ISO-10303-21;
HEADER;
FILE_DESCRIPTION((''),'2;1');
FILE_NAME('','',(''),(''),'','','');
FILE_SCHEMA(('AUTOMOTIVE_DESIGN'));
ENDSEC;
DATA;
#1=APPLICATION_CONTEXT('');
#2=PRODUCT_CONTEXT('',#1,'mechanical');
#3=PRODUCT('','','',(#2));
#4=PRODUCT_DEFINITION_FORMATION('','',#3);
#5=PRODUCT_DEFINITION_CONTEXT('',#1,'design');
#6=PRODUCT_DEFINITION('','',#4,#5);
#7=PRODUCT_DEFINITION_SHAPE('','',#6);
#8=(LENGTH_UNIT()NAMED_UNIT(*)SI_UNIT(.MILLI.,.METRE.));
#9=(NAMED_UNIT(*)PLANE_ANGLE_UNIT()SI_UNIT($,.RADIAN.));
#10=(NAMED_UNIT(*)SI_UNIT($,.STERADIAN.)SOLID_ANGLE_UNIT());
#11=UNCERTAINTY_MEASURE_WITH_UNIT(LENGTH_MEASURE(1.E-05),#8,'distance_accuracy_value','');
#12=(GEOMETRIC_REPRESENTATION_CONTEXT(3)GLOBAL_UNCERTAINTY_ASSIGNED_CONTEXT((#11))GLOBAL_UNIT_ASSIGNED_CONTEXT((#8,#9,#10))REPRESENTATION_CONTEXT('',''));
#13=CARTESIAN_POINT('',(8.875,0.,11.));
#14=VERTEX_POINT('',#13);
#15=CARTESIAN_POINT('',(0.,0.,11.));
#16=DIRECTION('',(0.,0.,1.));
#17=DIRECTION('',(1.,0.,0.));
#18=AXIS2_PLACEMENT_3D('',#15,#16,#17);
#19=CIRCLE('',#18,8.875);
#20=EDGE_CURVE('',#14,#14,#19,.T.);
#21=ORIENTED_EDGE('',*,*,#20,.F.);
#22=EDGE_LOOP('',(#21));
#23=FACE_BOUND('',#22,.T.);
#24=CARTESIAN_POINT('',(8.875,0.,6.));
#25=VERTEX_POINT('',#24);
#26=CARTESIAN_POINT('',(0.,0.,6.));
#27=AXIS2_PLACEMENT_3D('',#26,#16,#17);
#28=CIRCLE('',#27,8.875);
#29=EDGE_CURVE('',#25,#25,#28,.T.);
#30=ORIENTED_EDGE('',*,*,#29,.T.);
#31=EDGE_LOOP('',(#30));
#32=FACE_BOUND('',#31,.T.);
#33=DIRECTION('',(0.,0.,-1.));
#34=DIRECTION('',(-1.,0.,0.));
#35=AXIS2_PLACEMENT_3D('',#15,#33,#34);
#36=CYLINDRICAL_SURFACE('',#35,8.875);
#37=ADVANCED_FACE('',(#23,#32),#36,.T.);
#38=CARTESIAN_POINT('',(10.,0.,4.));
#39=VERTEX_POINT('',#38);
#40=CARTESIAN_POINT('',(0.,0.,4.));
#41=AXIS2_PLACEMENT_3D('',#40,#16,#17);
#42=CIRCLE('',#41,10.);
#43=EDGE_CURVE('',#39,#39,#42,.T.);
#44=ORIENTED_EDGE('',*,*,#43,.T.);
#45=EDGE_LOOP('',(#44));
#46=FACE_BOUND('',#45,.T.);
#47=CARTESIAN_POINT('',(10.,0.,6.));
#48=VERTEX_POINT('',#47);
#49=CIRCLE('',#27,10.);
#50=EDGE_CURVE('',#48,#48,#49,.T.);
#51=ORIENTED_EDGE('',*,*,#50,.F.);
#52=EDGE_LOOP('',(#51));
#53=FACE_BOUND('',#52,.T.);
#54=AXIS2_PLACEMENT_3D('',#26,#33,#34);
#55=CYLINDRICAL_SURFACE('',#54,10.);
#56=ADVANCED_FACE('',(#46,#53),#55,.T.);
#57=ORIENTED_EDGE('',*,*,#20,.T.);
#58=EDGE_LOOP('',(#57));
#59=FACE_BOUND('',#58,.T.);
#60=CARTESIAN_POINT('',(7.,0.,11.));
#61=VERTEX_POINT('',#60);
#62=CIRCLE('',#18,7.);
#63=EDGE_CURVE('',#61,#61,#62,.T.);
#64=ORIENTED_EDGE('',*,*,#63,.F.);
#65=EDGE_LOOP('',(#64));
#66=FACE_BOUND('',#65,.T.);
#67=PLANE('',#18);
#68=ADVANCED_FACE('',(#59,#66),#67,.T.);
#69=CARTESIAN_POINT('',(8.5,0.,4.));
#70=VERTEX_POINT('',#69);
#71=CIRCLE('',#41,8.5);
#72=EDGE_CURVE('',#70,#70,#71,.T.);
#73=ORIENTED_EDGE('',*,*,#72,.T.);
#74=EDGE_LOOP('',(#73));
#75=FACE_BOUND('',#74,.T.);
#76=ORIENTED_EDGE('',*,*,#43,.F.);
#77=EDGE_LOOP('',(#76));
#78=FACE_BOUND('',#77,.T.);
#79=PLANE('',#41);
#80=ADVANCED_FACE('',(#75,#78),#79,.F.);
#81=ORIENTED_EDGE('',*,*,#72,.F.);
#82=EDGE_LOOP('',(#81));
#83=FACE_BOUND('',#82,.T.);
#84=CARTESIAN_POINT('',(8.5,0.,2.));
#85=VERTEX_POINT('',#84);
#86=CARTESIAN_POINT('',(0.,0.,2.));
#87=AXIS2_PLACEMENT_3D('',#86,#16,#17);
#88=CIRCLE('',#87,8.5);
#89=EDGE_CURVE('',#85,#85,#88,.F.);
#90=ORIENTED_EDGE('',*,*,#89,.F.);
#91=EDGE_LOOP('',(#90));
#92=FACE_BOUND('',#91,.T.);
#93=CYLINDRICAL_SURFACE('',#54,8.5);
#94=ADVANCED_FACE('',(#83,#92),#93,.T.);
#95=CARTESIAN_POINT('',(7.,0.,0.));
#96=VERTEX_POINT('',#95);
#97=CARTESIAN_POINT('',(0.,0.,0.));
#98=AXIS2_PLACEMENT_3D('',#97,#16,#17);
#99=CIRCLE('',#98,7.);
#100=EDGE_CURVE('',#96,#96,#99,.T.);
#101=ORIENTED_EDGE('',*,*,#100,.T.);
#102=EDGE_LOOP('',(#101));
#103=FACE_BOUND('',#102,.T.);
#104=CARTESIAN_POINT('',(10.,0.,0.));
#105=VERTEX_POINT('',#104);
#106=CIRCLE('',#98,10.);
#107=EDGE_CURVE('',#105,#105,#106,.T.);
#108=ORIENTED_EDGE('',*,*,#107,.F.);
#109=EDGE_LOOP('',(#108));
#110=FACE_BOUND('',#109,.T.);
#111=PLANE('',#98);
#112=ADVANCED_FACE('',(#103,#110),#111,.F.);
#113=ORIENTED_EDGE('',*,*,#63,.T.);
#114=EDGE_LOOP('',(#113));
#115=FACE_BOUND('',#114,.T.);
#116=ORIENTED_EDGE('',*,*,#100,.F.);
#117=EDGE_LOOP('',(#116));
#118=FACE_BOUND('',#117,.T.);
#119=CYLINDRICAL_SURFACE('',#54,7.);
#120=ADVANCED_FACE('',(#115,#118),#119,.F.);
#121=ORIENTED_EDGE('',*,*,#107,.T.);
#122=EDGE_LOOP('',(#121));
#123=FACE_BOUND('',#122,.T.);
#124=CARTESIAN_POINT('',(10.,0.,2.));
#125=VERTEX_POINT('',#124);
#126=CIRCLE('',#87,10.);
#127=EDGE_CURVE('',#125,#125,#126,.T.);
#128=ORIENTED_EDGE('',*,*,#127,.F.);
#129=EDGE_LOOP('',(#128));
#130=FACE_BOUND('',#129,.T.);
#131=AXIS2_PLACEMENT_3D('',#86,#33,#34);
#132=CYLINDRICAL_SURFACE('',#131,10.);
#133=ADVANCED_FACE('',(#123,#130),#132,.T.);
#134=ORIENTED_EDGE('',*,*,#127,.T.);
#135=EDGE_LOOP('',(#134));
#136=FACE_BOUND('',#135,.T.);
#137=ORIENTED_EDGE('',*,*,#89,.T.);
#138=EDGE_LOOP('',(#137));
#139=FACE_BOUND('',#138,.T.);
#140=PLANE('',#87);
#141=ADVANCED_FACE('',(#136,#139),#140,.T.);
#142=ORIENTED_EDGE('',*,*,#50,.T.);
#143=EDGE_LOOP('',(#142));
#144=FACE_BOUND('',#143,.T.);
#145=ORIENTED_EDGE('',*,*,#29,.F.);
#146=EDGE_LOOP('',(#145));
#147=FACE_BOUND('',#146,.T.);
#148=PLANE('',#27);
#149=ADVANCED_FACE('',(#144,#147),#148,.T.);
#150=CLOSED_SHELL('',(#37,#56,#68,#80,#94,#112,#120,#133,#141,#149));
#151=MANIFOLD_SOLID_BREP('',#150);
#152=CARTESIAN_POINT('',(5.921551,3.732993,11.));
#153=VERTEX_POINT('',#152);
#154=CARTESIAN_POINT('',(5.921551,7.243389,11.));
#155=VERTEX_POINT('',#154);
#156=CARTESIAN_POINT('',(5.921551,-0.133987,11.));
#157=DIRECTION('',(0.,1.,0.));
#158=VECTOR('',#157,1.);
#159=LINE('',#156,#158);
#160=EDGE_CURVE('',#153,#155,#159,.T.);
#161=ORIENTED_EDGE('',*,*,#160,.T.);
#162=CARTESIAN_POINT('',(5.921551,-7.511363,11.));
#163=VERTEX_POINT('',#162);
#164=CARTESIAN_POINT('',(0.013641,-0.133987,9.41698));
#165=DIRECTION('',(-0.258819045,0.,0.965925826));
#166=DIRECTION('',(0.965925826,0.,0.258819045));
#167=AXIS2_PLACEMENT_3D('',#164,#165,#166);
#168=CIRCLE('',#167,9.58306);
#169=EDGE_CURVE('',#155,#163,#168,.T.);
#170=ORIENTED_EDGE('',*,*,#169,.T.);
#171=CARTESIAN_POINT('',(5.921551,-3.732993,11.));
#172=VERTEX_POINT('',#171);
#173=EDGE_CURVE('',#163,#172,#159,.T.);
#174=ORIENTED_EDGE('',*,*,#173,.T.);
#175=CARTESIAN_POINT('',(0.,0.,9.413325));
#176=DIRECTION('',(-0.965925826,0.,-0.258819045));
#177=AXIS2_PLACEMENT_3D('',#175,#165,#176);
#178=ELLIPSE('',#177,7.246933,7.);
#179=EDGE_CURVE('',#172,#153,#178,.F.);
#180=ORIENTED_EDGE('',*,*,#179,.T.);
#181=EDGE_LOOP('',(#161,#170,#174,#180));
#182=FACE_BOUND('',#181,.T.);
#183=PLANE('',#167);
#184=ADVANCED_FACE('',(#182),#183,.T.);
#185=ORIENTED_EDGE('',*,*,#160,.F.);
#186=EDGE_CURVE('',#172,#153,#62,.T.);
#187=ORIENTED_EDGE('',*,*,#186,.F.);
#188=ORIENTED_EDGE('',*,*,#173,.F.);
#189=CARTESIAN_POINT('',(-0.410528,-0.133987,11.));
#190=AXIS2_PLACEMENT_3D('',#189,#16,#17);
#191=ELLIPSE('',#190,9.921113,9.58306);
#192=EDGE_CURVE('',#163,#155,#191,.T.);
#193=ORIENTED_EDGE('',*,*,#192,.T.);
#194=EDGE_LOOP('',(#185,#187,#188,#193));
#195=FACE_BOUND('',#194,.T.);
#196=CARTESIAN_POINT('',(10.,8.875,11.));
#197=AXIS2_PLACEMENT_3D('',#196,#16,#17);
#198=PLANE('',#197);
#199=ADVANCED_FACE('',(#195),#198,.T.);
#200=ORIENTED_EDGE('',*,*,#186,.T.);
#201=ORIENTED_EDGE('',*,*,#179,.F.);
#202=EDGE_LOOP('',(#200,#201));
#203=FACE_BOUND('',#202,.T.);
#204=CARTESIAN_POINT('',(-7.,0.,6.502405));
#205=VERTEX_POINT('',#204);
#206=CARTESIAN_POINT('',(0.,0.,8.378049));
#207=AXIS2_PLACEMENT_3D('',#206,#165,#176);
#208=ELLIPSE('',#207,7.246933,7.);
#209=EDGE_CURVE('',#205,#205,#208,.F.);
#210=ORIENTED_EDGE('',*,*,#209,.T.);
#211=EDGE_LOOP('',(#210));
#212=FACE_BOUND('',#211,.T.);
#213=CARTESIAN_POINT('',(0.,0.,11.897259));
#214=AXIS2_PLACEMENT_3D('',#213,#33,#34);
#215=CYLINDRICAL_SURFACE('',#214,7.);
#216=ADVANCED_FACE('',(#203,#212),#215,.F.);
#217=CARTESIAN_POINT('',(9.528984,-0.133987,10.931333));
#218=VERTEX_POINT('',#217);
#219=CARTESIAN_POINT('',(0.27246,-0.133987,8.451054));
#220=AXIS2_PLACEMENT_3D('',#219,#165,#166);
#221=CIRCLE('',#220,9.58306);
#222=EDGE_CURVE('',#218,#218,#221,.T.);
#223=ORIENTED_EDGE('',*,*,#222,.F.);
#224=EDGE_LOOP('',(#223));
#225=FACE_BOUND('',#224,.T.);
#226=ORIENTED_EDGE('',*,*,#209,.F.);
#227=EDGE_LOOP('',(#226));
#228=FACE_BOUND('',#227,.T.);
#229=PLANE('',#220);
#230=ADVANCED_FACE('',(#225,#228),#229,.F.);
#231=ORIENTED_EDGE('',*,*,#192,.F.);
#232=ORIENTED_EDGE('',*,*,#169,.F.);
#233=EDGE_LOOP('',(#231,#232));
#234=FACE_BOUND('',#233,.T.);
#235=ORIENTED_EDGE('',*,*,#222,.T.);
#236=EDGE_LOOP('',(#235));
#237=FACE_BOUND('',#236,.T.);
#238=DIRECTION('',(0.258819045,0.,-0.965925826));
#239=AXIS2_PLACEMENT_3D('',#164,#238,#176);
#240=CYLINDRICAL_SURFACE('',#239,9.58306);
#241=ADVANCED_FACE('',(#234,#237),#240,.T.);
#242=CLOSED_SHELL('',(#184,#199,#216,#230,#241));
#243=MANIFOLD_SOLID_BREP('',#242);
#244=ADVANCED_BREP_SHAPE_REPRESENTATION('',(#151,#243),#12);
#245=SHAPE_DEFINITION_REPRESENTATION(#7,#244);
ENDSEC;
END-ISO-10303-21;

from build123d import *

# Parameters (mm, degrees)
SKETCH1_R           = 10
BOSS_EXTRUDE1_DEPTH = 2
SKETCH2_R           = 8.5
BOSS_EXTRUDE2_DEPTH = 6
BOSS_EXTRUDE3_START = 4
SKETCH3_R           = 10
BOSS_EXTRUDE3_DEPTH = 2
SKETCH5_R           = 7
CUT_EXTRUDE2_DEPTH  = 16.362291496
BOSS_EXTRUDE4_START = 6
SKETCH6_R           = 8.875
SKETCH6_R_2         = 7
BOSS_EXTRUDE4_DEPTH = 5
SKETCH8_R           = 9.583059544
BOSS_EXTRUDE5_DEPTH = 1
SKETCH10_R          = 7
CUT_EXTRUDE4_DEPTH  = 19.480929695
SKETCH12_W          = 0.915114883
SKETCH12_H          = 17.75
CUT_EXTRUDE5_DEPTH  = 10


with BuildPart() as part:
    # Sketch1 → Boss-Extrude1 (new body)
    with BuildSketch(Plane.XY):
        Circle(SKETCH1_R)
    extrude(amount=BOSS_EXTRUDE1_DEPTH)

    # Sketch2 → Boss-Extrude2 (add)
    with BuildSketch(Plane.XY):
        Circle(SKETCH2_R)
    extrude(amount=BOSS_EXTRUDE2_DEPTH)

    # Sketch3 → Boss-Extrude3 (add)
    with BuildSketch(Plane.XY.offset(BOSS_EXTRUDE3_START)):
        Circle(SKETCH3_R)
    extrude(amount=BOSS_EXTRUDE3_DEPTH)

    # Sketch5 → Cut-Extrude2 (cut, through all)
    with BuildSketch(Plane.XY):
        Circle(SKETCH5_R)
    extrude(amount=CUT_EXTRUDE2_DEPTH, mode=Mode.SUBTRACT)

    # Sketch6 → Boss-Extrude4 (add)
    with BuildSketch(Plane.XY.offset(BOSS_EXTRUDE4_START)):
        Circle(SKETCH6_R)
        Circle(SKETCH6_R_2, mode=Mode.SUBTRACT)
    extrude(amount=BOSS_EXTRUDE4_DEPTH)


with BuildPart() as body_2:
    # Sketch8 → Boss-Extrude5 (new body)
    with BuildSketch(Plane(origin=(-2.094512271, 0, 7.816826211), x_dir=(0.9659258262890681, 0, 0.25881904510252135), z_dir=(-0.25881904510252135, 0, 0.9659258262890681))):
        with Locations((2.450469787, -0.133986717)):
            Circle(SKETCH8_R)
    extrude(amount=BOSS_EXTRUDE5_DEPTH)

    # Sketch10 → Cut-Extrude4 (cut, through all)
    with BuildSketch(Plane.XY):
        with Locations(Location((0, 0, 0), (0, 0, 180))):
            Circle(SKETCH10_R)
    extrude(amount=CUT_EXTRUDE4_DEPTH, mode=Mode.SUBTRACT)

    # Sketch12 → Cut-Extrude5 (cut)
    with BuildSketch(Plane(origin=(0, 0, 0), x_dir=(0, 0, -1), z_dir=(1, 0, 0))):
        with Locations((-11.457557442, 0)):
            Rectangle(SKETCH12_W, SKETCH12_H)
    extrude(amount=CUT_EXTRUDE5_DEPTH, mode=Mode.SUBTRACT)


solid = Compound([part.part, body_2.part])
